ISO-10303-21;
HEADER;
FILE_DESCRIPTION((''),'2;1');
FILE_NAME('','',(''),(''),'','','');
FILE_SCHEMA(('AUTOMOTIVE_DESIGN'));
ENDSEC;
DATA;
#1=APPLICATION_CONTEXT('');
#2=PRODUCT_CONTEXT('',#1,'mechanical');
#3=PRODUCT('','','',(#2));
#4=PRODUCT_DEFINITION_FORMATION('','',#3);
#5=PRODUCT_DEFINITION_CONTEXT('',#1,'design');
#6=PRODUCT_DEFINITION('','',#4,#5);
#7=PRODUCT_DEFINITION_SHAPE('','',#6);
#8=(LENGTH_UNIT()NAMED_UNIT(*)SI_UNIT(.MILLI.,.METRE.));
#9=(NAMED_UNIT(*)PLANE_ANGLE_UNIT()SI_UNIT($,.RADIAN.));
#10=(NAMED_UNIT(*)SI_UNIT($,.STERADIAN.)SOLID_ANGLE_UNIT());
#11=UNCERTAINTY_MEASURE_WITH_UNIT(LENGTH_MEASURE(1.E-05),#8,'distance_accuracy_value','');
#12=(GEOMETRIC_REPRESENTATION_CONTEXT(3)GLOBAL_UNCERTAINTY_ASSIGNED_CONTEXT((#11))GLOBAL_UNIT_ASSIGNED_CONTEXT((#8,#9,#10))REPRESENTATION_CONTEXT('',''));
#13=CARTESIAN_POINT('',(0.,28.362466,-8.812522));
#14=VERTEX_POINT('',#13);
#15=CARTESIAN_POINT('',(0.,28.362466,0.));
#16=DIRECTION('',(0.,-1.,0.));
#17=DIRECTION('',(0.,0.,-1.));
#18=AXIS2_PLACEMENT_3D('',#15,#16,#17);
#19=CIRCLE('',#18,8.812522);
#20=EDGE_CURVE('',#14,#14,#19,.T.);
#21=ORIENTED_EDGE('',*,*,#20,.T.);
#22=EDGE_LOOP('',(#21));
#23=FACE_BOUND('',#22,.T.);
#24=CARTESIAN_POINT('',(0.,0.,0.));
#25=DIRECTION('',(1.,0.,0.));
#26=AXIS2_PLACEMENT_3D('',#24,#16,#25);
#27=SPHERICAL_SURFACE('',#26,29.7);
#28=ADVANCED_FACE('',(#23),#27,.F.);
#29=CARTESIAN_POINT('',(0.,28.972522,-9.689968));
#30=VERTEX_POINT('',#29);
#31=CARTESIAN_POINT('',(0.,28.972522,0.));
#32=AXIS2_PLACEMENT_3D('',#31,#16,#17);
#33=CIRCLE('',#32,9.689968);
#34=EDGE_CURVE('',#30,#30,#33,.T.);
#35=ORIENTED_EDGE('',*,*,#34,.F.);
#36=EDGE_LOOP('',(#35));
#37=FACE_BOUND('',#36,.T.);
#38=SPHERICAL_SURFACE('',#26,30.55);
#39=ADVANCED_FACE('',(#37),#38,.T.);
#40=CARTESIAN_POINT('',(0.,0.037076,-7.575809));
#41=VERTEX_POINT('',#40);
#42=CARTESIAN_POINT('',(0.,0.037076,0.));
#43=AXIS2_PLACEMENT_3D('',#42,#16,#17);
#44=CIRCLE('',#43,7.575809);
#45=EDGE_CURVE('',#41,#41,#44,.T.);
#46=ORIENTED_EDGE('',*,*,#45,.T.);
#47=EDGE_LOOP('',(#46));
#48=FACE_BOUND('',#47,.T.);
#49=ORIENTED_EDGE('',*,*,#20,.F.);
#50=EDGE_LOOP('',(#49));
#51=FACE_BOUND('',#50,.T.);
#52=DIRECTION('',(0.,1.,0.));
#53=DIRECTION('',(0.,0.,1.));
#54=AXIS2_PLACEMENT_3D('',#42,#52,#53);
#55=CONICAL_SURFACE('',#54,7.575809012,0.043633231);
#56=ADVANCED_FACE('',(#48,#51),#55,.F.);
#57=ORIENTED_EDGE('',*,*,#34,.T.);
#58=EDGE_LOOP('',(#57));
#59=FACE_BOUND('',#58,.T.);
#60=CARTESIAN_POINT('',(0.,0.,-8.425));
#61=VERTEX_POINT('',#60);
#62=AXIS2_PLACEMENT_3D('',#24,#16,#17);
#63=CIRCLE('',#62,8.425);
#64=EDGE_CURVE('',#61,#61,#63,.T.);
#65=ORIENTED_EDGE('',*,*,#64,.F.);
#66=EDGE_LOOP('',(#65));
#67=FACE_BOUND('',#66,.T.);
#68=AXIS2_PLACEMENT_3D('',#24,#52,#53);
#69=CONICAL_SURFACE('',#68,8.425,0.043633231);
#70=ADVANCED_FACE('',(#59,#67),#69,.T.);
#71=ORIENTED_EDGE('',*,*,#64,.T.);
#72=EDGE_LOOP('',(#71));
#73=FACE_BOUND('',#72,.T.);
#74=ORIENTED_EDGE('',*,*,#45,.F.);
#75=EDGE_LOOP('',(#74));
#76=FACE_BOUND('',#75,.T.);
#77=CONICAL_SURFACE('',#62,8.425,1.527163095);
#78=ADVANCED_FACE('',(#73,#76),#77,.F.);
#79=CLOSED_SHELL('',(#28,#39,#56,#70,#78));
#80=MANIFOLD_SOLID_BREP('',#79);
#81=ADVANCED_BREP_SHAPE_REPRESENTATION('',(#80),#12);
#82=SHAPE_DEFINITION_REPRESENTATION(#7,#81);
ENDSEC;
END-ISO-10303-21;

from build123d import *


with BuildPart() as part:
    # Base Sketch → Base (revolve)
    with BuildSketch(Plane.XY, mode=Mode.PRIVATE) as base_sk:
        with BuildLine():
            ThreePointArc((0, 30.55), (4.908765365, 30.15305163), (9.689967626, 28.972521937))
            Line((9.689967626, 28.972521937), (8.425, 0))
            Line((8.425, 0), (7.575809012, 0.037076479))
            Line((7.575809012, 0.037076479), (8.812522207, 28.362465555))
            ThreePointArc((8.812522207, 28.362465555), (4.456723742, 29.363712529), (0, 29.7))
            Line((0, 29.7), (0, 30.55))
        make_face()
    revolve(base_sk.sketch.rotate(Axis((0, 0, 0), (0, 1, 0)), 90), axis=Axis((0, 0, 0), (0, 1, 0)))


solid = part.part
